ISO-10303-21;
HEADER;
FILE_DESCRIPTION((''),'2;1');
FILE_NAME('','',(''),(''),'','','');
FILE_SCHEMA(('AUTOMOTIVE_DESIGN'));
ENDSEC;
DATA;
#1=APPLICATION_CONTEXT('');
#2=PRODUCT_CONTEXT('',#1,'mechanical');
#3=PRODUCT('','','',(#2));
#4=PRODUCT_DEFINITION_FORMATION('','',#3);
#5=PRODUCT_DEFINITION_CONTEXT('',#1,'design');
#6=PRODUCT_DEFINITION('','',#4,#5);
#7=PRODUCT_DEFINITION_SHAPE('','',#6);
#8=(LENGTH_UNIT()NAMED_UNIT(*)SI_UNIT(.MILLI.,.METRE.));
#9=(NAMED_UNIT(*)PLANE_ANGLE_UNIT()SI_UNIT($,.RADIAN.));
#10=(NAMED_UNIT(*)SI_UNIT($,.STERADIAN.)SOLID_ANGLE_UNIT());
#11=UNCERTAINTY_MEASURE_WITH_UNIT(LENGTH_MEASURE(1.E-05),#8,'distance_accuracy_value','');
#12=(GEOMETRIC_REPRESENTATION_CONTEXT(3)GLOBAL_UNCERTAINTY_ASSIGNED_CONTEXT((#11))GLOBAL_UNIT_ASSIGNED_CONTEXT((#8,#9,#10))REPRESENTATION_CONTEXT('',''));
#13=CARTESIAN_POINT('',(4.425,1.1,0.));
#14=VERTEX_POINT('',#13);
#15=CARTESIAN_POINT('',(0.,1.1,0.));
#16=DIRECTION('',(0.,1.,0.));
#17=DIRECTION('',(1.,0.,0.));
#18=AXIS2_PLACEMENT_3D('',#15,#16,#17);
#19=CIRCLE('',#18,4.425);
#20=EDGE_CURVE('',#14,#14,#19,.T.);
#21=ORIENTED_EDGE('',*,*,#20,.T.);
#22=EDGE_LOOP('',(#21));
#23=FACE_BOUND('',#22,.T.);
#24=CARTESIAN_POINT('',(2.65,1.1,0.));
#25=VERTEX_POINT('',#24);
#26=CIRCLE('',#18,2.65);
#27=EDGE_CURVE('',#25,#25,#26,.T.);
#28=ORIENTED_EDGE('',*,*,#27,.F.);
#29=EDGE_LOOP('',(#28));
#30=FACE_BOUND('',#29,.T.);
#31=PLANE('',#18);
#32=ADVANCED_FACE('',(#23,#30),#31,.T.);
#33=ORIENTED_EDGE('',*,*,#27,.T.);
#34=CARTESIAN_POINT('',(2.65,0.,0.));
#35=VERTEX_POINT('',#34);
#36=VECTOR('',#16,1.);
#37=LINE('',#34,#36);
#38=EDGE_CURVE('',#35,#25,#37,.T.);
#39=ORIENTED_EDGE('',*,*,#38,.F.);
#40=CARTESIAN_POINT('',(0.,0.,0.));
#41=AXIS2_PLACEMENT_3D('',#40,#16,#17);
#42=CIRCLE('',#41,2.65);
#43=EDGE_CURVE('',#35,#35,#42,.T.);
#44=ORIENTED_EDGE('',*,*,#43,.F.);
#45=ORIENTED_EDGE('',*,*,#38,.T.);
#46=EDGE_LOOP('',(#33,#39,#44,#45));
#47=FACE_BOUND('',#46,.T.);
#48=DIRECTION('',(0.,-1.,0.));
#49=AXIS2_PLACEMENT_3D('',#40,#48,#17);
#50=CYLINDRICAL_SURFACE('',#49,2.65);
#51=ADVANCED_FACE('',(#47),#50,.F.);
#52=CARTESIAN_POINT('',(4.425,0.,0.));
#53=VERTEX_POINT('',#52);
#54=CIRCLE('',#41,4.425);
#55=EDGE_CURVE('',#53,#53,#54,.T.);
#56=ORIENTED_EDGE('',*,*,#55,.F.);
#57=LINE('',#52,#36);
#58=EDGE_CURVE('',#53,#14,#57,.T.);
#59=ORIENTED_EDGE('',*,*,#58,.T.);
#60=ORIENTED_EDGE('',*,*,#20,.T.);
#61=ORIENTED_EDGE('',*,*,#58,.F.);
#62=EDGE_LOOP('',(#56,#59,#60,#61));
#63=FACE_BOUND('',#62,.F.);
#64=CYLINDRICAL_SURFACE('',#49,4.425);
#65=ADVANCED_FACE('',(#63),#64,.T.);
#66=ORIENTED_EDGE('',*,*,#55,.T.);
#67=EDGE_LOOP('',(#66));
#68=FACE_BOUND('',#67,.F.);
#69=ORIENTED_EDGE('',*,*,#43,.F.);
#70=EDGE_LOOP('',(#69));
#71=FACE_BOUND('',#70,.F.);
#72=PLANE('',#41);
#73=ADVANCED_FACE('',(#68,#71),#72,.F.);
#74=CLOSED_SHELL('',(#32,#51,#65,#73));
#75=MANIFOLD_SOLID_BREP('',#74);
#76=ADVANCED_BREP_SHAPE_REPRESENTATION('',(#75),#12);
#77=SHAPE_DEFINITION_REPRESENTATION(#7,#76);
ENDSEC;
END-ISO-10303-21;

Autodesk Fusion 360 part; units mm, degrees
sketch "Sketch1" plane through (0, 0, 0) normal (0, 1, 0) x (1, 0, 0)
  circle A0 centre (0, 0) radius 2.65
  circle A1 centre (0, 0) radius 4.425
  dimension "d1" = 5.3
  dimension "d2" = 8.85
extrude "Extrude1" add sketch "Sketch1" along normal blind 1.1
